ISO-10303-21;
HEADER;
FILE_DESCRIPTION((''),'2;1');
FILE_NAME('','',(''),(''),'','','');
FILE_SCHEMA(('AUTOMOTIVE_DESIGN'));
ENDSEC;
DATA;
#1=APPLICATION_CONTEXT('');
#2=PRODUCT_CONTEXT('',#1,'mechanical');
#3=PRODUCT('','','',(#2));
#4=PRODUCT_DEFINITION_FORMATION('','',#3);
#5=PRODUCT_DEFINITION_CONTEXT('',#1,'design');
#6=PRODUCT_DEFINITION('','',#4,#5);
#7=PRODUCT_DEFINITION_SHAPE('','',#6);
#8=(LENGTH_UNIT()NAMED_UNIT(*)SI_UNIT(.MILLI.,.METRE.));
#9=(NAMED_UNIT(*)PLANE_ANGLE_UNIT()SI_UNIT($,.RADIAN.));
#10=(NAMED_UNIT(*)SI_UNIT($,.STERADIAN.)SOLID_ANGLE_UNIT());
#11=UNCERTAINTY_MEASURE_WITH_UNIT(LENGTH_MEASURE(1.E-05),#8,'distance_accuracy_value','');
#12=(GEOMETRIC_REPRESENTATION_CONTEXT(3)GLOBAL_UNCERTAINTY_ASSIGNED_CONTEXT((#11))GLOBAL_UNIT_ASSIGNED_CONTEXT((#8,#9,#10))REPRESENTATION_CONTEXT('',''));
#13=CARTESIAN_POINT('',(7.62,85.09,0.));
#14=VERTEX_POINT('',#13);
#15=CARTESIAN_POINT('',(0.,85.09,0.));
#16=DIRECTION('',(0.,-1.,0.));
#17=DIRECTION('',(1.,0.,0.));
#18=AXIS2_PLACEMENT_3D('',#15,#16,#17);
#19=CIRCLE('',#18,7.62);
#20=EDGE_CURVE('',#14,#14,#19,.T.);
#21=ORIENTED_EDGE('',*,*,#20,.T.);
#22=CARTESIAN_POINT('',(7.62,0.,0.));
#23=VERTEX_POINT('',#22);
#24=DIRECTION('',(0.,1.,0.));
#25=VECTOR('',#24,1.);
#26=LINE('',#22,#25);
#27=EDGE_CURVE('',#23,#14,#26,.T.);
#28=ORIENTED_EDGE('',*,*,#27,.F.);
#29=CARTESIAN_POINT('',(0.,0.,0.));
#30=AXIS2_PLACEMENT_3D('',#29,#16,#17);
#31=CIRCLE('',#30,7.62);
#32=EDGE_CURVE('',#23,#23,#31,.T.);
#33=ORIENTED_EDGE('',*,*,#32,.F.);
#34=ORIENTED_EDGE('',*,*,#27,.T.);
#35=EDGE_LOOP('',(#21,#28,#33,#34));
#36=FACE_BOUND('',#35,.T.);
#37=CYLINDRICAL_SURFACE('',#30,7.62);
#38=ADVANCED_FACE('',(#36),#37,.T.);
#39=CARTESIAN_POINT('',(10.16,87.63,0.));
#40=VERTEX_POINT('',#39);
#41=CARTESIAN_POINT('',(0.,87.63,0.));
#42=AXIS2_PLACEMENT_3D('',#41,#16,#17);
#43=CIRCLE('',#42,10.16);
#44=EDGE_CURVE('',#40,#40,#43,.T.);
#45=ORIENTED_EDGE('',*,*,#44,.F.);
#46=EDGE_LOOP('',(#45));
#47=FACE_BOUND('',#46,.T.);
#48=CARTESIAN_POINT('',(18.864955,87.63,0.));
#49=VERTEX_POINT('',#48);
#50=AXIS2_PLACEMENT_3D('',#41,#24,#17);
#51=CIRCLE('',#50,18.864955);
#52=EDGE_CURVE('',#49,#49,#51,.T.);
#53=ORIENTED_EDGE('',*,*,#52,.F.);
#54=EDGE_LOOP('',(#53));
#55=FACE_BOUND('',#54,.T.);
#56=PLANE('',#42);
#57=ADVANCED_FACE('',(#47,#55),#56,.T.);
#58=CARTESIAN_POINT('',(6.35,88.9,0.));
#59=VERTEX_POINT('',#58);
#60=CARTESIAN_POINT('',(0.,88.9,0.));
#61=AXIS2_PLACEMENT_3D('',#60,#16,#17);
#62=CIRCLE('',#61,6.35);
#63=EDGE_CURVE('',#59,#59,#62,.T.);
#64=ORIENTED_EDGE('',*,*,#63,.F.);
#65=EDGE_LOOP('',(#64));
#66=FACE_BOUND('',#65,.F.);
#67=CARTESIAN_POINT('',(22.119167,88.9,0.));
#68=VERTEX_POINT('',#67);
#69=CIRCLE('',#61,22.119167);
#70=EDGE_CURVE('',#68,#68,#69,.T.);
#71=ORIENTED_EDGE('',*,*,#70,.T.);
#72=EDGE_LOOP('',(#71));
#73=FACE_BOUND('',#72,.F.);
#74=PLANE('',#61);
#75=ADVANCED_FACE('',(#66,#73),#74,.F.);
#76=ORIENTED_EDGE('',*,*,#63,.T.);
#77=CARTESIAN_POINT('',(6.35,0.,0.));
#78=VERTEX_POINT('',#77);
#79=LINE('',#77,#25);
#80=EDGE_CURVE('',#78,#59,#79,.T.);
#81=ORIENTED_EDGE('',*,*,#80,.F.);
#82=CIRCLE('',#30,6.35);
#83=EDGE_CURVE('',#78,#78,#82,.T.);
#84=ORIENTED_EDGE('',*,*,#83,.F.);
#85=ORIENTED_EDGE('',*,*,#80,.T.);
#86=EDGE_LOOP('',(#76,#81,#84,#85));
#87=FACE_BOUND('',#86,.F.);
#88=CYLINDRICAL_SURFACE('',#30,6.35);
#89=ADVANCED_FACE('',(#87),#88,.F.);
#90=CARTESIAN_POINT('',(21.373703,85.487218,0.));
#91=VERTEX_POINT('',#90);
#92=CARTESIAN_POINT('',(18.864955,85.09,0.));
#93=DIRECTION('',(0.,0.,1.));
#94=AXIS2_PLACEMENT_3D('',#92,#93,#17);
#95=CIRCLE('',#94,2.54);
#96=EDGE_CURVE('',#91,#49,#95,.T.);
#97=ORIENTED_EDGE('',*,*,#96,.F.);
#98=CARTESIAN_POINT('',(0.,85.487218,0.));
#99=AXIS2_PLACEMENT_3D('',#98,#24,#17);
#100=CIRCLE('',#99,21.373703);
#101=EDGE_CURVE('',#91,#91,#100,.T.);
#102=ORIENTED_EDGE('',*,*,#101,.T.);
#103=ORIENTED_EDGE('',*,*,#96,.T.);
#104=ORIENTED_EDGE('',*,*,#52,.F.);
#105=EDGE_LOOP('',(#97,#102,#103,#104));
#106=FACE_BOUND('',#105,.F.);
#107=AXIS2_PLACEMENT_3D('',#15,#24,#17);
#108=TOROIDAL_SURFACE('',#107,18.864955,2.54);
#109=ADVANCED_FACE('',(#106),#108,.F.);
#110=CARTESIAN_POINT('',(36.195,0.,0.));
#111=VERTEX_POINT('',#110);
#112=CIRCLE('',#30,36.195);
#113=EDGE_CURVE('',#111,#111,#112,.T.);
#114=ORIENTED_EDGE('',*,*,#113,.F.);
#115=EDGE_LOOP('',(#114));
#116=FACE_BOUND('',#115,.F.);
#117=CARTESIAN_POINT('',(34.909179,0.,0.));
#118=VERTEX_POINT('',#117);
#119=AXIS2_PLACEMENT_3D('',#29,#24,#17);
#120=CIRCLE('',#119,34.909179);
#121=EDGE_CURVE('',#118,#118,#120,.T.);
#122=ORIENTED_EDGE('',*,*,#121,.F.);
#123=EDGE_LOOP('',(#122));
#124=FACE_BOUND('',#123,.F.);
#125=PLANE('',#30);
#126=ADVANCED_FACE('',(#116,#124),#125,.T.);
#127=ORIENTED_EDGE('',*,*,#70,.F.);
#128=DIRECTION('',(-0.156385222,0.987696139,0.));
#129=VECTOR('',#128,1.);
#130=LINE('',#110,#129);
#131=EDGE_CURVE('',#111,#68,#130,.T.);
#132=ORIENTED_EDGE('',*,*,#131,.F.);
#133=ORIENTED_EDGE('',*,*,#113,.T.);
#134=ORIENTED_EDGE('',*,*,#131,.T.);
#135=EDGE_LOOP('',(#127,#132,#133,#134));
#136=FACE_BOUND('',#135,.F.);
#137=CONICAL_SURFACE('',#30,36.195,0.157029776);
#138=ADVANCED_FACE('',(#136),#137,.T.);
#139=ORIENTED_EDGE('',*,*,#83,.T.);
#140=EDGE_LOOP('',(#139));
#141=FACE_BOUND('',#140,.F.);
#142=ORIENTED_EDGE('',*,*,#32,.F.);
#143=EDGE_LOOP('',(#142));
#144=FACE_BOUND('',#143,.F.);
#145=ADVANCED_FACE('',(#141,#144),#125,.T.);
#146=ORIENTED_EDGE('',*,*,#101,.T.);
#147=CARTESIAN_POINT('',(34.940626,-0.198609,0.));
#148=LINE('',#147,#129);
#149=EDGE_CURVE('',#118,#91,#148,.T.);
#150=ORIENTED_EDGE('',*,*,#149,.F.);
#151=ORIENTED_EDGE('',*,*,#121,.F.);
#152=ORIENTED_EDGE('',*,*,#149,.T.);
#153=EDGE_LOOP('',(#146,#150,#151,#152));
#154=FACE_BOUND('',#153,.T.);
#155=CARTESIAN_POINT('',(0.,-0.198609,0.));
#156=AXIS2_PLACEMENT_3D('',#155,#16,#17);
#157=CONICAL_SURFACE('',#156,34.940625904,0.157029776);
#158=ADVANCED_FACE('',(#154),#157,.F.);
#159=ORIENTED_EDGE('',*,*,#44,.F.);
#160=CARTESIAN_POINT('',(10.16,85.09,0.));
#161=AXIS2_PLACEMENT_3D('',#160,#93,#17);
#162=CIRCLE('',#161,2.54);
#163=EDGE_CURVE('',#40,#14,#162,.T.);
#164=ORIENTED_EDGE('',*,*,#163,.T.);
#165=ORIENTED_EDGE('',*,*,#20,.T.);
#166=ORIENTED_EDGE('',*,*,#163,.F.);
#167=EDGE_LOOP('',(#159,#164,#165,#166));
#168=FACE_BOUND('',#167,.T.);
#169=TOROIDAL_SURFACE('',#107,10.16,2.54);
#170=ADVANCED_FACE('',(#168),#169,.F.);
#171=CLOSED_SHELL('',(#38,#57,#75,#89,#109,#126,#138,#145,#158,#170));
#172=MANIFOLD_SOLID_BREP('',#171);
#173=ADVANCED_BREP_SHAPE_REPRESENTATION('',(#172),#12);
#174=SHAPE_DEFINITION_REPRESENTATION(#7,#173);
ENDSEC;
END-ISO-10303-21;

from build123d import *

# Parameters (mm, degrees)
SKETCH3_R          = 6.35
CUT_EXTRUDE1_DEPTH = 89.9
SHELL1_T           = -1.27
FILLET1_R          = 2.54


with BuildPart() as part:
    # Sketch2 → Revolve1 (revolve)
    with BuildSketch(Plane.XY):
        Polygon((0, 0), (36.195, 0), (22.119166667, 88.9), (0, 88.9), align=None)
    revolve(axis=Axis((0, 88.9, 0), (0, -1, 0)))

    # Sketch3 → Cut-Extrude1 (cut, through all)
    with BuildSketch(Plane.XZ):
        Circle(SKETCH3_R)
    extrude(amount=-CUT_EXTRUDE1_DEPTH, mode=Mode.SUBTRACT)

    # Shell1
    shell1_openings = [part.faces().sort_by_distance(p)[0] for p in [
        (6.35, 0, 0),
    ]]
    offset(amount=SHELL1_T, openings=shell1_openings, kind=Kind.INTERSECTION)

    # Fillet1
    fillet1_edges = [part.edges().sort_by_distance(p)[0] for p in [
        (-7.62, 87.63, 0),
        (-21.034429442, 87.63, 0),
    ]]
    fillet(fillet1_edges, radius=FILLET1_R)


solid = part.part
